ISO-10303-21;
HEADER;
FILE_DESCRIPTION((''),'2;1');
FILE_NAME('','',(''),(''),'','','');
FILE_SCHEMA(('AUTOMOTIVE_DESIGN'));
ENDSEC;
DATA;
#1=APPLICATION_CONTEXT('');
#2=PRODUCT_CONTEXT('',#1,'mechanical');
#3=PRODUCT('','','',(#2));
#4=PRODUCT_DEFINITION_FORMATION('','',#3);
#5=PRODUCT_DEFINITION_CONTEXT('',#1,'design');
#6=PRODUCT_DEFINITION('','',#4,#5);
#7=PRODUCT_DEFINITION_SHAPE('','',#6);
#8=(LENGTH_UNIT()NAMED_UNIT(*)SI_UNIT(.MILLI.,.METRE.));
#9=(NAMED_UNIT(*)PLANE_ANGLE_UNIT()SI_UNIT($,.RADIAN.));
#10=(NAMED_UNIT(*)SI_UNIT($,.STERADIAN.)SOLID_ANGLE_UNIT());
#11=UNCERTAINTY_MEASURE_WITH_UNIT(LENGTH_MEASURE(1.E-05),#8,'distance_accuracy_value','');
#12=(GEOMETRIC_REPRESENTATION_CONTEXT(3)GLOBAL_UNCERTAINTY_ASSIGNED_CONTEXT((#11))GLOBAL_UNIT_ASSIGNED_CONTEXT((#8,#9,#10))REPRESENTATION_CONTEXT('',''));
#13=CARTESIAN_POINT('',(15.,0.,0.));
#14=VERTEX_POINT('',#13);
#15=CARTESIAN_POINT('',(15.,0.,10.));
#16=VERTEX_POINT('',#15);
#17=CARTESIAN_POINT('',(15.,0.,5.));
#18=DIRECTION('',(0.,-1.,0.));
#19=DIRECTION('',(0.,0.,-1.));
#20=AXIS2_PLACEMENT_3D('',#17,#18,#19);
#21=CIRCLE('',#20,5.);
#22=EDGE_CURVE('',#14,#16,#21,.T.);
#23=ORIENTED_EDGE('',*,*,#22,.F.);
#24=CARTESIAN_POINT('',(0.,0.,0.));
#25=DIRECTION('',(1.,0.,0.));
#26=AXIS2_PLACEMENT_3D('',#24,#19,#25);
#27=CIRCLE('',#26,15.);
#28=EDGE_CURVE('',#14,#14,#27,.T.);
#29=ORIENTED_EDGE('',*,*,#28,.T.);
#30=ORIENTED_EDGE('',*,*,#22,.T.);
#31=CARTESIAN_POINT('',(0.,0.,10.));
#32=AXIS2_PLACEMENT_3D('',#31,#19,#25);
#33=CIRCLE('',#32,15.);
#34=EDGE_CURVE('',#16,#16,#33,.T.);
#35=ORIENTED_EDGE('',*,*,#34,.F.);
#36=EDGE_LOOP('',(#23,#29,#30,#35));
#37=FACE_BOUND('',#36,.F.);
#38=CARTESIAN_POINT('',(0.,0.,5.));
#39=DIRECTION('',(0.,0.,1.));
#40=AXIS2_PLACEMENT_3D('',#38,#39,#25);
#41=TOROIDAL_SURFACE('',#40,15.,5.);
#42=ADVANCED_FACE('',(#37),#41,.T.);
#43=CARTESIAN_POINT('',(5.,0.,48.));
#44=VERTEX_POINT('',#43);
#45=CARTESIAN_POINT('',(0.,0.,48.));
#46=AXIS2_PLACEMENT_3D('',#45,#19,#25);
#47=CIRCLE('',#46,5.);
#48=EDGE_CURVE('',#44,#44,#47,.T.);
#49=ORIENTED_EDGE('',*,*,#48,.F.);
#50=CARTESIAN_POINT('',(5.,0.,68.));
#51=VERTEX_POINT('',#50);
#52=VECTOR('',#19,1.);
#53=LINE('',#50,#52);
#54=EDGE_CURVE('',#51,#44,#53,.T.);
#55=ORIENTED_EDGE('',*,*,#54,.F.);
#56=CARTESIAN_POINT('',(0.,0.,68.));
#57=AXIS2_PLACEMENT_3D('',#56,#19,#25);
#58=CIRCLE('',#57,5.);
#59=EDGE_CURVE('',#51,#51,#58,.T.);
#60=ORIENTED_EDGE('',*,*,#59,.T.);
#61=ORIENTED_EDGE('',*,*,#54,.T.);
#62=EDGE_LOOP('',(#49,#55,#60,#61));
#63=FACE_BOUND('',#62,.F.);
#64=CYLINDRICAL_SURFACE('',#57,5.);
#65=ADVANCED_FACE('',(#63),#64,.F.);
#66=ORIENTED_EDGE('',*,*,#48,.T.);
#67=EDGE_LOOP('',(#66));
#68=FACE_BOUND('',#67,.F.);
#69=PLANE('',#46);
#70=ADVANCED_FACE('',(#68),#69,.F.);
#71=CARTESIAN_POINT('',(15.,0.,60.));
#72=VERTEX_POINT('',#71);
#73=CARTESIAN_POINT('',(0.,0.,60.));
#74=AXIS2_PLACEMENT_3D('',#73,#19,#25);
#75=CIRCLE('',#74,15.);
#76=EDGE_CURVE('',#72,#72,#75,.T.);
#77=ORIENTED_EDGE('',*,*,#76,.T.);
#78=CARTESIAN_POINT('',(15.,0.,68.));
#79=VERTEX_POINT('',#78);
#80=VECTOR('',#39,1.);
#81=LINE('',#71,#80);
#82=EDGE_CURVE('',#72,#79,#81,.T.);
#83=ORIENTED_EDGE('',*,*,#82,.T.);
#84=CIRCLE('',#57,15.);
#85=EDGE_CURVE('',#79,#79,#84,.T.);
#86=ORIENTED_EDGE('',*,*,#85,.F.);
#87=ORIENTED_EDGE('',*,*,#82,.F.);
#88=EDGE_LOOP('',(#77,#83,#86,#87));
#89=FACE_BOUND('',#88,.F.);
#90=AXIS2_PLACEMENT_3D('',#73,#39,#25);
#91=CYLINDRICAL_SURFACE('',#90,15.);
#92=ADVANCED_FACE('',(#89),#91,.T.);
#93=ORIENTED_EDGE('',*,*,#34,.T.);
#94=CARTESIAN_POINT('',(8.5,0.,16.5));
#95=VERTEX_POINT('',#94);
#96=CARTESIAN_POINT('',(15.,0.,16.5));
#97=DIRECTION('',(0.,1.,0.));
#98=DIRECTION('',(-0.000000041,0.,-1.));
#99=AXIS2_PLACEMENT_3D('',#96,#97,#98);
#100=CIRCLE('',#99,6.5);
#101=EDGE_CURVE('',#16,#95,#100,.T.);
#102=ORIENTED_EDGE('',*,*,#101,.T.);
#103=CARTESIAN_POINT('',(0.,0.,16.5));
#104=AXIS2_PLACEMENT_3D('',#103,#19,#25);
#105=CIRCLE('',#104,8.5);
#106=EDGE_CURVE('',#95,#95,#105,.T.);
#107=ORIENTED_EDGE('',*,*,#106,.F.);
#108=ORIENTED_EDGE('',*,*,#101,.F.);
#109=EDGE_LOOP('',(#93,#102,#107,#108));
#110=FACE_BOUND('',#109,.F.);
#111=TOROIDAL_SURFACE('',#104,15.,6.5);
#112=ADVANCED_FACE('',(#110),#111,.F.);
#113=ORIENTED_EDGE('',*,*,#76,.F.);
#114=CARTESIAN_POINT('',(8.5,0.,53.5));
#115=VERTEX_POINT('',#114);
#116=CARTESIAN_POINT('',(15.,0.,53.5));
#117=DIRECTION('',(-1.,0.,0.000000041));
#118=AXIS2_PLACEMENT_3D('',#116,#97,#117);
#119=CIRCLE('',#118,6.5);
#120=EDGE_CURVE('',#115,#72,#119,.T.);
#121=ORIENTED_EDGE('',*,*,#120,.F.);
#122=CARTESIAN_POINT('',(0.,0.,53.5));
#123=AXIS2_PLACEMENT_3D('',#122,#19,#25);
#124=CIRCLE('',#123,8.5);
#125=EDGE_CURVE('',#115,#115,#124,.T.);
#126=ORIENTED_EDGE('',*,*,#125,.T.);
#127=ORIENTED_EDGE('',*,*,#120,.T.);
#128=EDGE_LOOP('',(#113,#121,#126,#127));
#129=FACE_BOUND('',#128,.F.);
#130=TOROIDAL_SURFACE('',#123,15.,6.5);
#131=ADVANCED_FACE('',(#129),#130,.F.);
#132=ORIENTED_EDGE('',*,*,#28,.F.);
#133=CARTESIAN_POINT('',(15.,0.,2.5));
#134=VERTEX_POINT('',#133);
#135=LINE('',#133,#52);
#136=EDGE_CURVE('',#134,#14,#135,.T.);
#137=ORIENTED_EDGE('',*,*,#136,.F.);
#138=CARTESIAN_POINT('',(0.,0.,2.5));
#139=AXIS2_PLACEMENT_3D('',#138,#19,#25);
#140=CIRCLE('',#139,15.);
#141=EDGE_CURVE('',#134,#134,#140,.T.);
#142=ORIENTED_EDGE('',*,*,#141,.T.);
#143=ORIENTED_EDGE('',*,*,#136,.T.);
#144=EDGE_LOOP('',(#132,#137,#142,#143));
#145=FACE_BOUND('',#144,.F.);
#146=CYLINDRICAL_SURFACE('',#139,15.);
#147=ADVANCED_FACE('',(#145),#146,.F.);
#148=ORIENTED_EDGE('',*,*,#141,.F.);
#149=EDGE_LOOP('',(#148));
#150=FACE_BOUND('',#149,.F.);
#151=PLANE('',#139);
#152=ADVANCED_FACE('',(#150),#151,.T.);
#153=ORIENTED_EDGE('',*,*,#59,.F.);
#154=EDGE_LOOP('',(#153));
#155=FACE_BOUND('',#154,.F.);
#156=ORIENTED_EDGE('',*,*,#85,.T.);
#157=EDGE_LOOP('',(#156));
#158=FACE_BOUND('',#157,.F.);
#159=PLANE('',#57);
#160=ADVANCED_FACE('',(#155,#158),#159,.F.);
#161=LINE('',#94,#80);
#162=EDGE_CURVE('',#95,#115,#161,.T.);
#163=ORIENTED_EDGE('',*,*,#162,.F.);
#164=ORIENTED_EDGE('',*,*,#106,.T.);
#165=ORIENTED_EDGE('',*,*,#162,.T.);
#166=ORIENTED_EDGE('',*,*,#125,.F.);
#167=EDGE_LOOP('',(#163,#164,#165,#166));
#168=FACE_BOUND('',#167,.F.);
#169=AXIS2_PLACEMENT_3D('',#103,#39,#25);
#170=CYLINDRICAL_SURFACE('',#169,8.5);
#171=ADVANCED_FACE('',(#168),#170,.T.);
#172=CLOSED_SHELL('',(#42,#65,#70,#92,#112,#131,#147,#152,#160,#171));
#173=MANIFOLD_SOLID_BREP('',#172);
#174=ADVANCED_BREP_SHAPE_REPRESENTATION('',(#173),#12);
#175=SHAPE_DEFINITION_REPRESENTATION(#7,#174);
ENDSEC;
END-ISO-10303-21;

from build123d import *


with BuildPart() as f1:
    # F0 (on Front) → F1 (revolve)
    with BuildSketch(Plane.XZ):
        with BuildLine():
            Line((5, 68), (5, 48))
            Line((5, 48), (0, 48))
            Line((0, 48), (0, 2.5))
            Line((0, 2.5), (15, 2.5))
            Line((15, 2.5), (15, 0))
            ThreePointArc((15, 0), (20, 5), (15, 10))
            ThreePointArc((15, 10), (10.403806, 11.903806), (8.5, 16.5))
            Line((8.5, 16.5), (8.5, 53.5))
            ThreePointArc((8.5, 53.5), (10.403806, 58.096194), (15, 60))
            Line((15, 60), (15, 68))
            Line((15, 68), (5, 68))
        make_face()
    revolve(axis=Axis((0, 0, 25.25), (0, 0, -1)))


solid = f1.part
